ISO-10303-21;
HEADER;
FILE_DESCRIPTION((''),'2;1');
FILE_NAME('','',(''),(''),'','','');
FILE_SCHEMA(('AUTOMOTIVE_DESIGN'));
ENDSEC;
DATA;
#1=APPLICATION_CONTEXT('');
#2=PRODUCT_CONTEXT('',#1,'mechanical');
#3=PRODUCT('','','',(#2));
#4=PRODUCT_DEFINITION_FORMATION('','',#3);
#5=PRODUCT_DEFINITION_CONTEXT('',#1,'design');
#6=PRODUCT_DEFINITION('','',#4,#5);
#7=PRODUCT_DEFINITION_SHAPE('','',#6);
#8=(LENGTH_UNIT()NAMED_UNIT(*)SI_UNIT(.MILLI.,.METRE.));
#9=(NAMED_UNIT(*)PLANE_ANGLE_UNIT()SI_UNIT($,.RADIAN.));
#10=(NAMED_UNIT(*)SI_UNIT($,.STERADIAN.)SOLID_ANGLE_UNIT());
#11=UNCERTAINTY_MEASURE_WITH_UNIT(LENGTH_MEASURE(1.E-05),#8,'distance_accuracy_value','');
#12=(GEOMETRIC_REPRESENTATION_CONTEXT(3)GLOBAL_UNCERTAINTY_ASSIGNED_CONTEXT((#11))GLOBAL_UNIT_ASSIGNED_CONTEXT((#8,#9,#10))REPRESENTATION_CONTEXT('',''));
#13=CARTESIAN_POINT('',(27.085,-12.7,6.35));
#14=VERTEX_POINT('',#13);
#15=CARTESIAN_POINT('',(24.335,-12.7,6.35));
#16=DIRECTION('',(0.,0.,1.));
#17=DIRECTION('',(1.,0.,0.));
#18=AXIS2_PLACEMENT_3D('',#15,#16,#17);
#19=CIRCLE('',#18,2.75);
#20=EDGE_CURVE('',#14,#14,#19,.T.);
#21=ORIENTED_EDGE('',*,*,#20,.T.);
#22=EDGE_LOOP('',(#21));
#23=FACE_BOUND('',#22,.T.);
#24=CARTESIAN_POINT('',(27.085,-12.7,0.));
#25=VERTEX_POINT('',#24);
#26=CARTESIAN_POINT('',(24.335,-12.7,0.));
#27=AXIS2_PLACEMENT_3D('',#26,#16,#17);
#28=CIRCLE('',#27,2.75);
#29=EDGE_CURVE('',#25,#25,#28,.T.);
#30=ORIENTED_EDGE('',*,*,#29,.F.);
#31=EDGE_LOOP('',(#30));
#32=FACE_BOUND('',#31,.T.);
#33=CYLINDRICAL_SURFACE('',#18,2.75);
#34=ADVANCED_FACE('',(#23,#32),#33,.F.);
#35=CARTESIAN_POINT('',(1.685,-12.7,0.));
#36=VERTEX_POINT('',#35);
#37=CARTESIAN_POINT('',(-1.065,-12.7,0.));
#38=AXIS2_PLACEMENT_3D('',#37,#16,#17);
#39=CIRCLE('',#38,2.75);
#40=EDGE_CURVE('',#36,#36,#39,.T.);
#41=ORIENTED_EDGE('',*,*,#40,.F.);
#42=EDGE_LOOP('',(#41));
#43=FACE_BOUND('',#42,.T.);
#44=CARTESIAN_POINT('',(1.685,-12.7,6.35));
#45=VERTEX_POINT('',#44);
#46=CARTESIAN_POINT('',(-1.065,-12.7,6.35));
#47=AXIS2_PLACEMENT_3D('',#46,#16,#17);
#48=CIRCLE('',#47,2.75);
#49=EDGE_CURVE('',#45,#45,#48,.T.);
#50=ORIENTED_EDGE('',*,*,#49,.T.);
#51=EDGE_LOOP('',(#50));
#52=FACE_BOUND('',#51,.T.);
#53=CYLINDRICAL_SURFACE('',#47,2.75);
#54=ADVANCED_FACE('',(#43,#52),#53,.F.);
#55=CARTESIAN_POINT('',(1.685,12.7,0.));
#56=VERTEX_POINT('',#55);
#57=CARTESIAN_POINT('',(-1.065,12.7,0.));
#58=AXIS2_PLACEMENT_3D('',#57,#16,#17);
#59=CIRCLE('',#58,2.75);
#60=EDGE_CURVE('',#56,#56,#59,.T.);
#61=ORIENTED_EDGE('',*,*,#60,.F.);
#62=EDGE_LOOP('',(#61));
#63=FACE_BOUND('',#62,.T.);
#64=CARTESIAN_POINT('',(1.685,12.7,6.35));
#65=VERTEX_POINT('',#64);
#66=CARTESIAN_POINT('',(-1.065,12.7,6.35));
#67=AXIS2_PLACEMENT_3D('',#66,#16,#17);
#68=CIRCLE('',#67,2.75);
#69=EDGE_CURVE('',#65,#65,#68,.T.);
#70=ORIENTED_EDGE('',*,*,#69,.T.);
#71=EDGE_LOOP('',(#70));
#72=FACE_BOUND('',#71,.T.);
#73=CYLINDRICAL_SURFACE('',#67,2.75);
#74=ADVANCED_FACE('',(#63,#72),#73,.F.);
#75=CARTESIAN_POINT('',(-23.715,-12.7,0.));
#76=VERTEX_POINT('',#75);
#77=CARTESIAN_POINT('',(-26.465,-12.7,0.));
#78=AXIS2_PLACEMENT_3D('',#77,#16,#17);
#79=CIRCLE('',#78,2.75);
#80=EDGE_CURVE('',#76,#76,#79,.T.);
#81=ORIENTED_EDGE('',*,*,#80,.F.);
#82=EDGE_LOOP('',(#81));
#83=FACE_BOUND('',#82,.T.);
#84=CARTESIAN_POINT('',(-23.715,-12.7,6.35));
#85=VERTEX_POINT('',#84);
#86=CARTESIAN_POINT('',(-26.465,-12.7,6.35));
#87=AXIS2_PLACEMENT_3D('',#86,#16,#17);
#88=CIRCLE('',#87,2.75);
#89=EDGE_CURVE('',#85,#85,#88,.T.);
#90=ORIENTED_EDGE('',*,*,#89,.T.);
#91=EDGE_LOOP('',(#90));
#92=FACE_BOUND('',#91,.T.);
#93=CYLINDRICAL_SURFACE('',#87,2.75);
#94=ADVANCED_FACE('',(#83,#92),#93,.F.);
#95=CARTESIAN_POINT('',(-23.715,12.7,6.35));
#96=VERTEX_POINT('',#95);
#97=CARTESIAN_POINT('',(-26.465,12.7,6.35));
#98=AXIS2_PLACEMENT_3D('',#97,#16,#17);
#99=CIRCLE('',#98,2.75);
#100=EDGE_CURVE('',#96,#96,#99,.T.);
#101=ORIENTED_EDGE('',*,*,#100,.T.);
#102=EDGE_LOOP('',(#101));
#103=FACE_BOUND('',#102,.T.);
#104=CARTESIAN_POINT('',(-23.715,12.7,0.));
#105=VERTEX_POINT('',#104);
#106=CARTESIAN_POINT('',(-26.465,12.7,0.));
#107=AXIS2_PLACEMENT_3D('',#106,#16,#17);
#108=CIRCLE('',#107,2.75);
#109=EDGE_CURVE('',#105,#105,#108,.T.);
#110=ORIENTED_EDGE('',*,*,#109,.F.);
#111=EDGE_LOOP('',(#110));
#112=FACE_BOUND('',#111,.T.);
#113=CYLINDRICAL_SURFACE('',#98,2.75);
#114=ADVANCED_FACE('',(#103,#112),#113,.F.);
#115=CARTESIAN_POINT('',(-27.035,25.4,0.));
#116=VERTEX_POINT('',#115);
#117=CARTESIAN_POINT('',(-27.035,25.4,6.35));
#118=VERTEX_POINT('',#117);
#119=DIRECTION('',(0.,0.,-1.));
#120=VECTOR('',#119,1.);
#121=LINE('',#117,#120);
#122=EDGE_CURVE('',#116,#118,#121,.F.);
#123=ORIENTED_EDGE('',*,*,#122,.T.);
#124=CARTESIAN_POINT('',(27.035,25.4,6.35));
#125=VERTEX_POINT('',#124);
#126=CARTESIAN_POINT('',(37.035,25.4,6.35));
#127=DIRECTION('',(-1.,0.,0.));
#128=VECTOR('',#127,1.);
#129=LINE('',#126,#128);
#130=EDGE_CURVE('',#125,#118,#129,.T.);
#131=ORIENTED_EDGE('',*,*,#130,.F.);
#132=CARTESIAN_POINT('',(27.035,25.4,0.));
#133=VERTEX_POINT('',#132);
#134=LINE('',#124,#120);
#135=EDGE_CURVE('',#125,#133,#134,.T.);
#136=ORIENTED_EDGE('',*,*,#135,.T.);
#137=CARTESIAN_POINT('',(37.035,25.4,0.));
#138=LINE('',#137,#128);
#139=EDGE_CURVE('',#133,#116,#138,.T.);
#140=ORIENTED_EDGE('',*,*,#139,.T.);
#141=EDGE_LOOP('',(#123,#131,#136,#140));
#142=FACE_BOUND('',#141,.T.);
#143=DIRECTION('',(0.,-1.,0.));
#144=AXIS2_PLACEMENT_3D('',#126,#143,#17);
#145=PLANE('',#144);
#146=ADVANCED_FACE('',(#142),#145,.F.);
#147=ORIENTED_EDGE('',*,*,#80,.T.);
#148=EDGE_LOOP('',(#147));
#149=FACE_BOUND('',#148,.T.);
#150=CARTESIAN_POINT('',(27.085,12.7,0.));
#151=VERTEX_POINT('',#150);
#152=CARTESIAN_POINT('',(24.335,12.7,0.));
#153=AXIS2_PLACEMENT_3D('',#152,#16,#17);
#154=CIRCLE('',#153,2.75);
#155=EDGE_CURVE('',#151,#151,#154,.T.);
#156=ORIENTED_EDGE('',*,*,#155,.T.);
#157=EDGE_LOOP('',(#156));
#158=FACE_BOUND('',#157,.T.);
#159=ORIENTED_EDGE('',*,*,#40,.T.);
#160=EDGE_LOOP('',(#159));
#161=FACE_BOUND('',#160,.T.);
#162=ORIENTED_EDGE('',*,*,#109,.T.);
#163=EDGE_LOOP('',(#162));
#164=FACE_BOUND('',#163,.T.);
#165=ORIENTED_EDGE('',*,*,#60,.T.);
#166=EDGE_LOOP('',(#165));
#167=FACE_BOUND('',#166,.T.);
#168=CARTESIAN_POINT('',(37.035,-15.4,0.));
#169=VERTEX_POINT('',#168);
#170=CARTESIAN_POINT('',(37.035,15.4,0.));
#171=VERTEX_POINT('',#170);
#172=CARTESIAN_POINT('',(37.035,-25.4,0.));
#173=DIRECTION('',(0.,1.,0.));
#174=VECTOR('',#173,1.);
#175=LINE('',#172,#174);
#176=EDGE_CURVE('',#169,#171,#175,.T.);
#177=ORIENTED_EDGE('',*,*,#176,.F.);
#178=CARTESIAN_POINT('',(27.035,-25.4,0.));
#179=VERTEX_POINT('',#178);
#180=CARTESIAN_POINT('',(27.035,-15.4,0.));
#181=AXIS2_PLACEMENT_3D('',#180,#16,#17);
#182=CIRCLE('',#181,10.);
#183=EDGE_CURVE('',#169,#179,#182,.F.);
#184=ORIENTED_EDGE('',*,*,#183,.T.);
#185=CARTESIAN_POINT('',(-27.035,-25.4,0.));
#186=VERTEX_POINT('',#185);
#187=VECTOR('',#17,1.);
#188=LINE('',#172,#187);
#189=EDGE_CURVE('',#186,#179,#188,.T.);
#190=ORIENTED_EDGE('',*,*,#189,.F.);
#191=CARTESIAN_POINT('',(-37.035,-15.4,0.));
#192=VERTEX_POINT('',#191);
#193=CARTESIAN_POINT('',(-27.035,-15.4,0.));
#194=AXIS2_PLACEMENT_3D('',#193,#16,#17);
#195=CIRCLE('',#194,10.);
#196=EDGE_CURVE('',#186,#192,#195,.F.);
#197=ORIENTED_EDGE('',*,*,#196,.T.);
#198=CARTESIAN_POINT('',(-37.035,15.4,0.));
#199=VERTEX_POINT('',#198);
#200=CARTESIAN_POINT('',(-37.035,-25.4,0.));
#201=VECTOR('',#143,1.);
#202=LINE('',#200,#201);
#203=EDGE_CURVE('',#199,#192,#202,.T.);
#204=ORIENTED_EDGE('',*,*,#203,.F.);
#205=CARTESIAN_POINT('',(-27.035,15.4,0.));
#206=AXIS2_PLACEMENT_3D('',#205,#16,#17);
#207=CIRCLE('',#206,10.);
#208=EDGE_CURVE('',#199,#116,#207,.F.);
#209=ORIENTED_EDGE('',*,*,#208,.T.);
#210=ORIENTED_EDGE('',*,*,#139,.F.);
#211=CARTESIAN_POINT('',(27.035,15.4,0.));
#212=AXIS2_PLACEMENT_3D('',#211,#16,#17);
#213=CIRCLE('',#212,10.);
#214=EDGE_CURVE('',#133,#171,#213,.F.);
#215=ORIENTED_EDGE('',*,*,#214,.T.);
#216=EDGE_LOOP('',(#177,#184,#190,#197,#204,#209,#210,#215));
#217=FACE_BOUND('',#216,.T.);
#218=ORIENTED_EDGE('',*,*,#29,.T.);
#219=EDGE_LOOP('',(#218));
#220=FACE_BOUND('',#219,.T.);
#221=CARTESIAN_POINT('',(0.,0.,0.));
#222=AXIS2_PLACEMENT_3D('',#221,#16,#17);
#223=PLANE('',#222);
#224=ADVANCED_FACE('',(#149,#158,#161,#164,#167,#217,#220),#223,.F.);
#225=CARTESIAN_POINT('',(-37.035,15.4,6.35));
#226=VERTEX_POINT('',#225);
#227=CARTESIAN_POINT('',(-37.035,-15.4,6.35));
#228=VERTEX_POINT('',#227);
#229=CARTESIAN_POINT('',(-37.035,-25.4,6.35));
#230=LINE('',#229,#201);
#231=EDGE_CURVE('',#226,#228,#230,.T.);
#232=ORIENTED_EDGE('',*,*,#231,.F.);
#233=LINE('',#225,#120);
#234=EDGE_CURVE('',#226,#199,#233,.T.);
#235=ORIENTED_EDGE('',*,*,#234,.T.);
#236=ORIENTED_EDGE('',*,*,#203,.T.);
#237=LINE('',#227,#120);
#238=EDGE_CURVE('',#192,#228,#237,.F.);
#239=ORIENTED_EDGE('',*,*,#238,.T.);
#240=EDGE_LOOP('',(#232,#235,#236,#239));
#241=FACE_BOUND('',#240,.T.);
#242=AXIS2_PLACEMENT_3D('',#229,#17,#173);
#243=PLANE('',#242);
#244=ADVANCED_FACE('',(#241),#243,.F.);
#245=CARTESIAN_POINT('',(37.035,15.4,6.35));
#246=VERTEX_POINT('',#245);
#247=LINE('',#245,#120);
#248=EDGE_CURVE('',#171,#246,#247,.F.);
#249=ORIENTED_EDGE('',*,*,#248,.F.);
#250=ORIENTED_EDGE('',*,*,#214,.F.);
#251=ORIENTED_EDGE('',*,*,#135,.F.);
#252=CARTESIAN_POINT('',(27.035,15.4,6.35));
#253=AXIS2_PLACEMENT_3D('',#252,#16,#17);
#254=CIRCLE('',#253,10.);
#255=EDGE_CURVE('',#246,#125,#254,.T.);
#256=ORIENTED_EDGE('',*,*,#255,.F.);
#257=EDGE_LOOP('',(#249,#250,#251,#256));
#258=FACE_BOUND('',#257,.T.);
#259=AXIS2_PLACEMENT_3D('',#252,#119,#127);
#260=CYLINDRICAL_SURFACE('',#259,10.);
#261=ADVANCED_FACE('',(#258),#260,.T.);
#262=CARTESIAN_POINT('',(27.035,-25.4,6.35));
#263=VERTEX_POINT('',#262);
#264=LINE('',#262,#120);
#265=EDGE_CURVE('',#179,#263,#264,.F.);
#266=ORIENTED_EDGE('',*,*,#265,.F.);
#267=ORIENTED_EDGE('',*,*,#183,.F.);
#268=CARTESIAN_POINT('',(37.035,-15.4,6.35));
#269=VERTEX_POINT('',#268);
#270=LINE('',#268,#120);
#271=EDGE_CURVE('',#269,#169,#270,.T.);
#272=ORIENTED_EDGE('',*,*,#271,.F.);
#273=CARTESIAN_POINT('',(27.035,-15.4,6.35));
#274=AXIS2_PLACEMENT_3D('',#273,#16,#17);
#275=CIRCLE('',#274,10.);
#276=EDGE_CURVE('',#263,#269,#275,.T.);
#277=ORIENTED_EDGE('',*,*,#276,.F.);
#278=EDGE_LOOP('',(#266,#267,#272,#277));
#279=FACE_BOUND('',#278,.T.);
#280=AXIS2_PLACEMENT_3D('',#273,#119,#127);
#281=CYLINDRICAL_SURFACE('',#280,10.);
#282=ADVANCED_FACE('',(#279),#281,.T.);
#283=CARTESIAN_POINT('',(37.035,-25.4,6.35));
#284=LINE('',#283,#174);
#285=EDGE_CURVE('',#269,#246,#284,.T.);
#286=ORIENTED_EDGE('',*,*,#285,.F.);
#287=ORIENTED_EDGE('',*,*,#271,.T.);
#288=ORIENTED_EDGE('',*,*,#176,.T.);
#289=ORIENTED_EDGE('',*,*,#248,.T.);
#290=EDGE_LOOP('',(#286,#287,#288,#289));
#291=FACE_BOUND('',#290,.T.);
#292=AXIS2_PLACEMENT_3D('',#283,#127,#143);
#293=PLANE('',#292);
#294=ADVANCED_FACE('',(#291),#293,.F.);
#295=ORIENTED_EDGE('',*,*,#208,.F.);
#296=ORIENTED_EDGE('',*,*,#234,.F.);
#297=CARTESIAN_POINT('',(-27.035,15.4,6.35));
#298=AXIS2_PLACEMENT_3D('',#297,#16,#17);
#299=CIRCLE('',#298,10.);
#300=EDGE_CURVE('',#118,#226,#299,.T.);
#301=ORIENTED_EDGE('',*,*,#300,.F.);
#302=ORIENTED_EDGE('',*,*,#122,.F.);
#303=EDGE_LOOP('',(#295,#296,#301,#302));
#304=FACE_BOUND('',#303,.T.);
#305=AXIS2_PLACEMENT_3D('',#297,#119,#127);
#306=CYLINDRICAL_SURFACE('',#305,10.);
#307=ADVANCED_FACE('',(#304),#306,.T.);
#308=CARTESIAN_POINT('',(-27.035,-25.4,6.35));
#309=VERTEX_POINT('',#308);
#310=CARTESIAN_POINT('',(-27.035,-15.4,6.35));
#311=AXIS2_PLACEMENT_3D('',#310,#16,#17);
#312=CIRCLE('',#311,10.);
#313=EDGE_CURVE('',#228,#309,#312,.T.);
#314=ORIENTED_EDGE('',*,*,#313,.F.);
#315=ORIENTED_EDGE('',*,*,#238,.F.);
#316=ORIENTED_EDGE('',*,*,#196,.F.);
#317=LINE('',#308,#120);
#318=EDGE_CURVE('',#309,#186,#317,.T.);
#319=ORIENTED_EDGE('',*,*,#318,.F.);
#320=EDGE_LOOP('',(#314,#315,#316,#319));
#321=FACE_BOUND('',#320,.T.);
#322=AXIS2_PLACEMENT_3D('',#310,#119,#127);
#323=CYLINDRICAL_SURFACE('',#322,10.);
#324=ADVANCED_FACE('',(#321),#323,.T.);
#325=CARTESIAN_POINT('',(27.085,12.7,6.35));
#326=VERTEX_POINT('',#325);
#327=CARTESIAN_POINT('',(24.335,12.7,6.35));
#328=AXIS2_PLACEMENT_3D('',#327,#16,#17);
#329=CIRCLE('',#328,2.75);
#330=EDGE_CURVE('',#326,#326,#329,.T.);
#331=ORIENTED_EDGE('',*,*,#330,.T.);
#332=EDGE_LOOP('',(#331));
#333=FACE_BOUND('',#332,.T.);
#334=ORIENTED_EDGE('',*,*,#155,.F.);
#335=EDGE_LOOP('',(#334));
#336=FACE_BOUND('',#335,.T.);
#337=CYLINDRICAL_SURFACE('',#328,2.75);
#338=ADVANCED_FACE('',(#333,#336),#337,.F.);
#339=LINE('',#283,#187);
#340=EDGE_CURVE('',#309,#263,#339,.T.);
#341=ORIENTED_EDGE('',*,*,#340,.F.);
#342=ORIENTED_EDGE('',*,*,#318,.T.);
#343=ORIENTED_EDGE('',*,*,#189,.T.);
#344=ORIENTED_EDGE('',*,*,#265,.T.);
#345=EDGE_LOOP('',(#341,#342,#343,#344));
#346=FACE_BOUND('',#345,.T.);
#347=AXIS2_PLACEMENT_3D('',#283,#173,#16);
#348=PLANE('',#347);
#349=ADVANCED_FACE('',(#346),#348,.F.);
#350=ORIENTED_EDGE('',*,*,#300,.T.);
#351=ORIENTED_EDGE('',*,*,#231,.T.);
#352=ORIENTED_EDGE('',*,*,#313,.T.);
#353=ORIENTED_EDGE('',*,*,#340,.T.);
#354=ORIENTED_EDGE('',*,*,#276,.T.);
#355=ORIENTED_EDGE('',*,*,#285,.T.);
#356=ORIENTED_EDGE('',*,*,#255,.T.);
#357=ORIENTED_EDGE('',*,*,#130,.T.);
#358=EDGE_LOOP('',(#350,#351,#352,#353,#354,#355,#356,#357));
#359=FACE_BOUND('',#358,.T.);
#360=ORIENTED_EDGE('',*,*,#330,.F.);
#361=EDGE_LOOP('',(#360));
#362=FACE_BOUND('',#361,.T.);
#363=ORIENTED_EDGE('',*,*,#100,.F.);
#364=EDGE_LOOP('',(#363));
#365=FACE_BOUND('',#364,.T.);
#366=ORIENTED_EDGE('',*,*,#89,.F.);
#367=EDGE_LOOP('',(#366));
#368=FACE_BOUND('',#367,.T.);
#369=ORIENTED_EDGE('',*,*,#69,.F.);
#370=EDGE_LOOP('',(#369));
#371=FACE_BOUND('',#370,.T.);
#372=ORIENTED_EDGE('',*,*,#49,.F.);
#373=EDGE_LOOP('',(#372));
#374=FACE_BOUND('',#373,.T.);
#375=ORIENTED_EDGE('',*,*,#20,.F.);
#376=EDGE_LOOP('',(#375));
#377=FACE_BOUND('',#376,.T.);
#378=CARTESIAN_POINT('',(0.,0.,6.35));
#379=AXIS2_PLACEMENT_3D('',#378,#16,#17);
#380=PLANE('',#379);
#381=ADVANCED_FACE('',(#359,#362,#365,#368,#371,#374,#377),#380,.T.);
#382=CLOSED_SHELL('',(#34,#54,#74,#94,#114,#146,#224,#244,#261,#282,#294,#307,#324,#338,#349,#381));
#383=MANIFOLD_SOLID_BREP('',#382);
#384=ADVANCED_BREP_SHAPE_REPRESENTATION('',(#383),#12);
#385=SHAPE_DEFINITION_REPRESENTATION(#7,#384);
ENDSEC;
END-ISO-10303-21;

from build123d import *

# Parameters (mm, degrees)
SKETCH1_W            = 74.07
SKETCH1_H            = 50.8
BOSS_EXTRUDE1_DEPTH  = 6.35
FILLET1_R            = 10
M5_CLEARANCE_HOLE1_D = 5.5


with BuildPart() as part:
    # Sketch1 → Boss-Extrude1 (new body)
    with BuildSketch(Plane.XY):
        Rectangle(SKETCH1_W, SKETCH1_H)
    extrude(amount=BOSS_EXTRUDE1_DEPTH)

    # Fillet1
    fillet1_edges = [part.edges().sort_by_distance(p)[0] for p in [
        (-37.035, 25.4, 3.175),
        (37.035, 25.4, 3.175),
        (37.035, -25.4, 3.175),
        (-37.035, -25.4, 3.175),
    ]]
    fillet(fillet1_edges, radius=FILLET1_R)

    # M5 Clearance Hole1 (through all)
    with Locations(Plane.XY.offset(6.35)):
        with Locations((-26.465, 12.7), (-26.465, -12.7), (-1.065, -12.7), (-1.065, 12.7), (24.335, 12.7), (24.335, -12.7)):
            Hole(M5_CLEARANCE_HOLE1_D / 2)


solid = part.part
